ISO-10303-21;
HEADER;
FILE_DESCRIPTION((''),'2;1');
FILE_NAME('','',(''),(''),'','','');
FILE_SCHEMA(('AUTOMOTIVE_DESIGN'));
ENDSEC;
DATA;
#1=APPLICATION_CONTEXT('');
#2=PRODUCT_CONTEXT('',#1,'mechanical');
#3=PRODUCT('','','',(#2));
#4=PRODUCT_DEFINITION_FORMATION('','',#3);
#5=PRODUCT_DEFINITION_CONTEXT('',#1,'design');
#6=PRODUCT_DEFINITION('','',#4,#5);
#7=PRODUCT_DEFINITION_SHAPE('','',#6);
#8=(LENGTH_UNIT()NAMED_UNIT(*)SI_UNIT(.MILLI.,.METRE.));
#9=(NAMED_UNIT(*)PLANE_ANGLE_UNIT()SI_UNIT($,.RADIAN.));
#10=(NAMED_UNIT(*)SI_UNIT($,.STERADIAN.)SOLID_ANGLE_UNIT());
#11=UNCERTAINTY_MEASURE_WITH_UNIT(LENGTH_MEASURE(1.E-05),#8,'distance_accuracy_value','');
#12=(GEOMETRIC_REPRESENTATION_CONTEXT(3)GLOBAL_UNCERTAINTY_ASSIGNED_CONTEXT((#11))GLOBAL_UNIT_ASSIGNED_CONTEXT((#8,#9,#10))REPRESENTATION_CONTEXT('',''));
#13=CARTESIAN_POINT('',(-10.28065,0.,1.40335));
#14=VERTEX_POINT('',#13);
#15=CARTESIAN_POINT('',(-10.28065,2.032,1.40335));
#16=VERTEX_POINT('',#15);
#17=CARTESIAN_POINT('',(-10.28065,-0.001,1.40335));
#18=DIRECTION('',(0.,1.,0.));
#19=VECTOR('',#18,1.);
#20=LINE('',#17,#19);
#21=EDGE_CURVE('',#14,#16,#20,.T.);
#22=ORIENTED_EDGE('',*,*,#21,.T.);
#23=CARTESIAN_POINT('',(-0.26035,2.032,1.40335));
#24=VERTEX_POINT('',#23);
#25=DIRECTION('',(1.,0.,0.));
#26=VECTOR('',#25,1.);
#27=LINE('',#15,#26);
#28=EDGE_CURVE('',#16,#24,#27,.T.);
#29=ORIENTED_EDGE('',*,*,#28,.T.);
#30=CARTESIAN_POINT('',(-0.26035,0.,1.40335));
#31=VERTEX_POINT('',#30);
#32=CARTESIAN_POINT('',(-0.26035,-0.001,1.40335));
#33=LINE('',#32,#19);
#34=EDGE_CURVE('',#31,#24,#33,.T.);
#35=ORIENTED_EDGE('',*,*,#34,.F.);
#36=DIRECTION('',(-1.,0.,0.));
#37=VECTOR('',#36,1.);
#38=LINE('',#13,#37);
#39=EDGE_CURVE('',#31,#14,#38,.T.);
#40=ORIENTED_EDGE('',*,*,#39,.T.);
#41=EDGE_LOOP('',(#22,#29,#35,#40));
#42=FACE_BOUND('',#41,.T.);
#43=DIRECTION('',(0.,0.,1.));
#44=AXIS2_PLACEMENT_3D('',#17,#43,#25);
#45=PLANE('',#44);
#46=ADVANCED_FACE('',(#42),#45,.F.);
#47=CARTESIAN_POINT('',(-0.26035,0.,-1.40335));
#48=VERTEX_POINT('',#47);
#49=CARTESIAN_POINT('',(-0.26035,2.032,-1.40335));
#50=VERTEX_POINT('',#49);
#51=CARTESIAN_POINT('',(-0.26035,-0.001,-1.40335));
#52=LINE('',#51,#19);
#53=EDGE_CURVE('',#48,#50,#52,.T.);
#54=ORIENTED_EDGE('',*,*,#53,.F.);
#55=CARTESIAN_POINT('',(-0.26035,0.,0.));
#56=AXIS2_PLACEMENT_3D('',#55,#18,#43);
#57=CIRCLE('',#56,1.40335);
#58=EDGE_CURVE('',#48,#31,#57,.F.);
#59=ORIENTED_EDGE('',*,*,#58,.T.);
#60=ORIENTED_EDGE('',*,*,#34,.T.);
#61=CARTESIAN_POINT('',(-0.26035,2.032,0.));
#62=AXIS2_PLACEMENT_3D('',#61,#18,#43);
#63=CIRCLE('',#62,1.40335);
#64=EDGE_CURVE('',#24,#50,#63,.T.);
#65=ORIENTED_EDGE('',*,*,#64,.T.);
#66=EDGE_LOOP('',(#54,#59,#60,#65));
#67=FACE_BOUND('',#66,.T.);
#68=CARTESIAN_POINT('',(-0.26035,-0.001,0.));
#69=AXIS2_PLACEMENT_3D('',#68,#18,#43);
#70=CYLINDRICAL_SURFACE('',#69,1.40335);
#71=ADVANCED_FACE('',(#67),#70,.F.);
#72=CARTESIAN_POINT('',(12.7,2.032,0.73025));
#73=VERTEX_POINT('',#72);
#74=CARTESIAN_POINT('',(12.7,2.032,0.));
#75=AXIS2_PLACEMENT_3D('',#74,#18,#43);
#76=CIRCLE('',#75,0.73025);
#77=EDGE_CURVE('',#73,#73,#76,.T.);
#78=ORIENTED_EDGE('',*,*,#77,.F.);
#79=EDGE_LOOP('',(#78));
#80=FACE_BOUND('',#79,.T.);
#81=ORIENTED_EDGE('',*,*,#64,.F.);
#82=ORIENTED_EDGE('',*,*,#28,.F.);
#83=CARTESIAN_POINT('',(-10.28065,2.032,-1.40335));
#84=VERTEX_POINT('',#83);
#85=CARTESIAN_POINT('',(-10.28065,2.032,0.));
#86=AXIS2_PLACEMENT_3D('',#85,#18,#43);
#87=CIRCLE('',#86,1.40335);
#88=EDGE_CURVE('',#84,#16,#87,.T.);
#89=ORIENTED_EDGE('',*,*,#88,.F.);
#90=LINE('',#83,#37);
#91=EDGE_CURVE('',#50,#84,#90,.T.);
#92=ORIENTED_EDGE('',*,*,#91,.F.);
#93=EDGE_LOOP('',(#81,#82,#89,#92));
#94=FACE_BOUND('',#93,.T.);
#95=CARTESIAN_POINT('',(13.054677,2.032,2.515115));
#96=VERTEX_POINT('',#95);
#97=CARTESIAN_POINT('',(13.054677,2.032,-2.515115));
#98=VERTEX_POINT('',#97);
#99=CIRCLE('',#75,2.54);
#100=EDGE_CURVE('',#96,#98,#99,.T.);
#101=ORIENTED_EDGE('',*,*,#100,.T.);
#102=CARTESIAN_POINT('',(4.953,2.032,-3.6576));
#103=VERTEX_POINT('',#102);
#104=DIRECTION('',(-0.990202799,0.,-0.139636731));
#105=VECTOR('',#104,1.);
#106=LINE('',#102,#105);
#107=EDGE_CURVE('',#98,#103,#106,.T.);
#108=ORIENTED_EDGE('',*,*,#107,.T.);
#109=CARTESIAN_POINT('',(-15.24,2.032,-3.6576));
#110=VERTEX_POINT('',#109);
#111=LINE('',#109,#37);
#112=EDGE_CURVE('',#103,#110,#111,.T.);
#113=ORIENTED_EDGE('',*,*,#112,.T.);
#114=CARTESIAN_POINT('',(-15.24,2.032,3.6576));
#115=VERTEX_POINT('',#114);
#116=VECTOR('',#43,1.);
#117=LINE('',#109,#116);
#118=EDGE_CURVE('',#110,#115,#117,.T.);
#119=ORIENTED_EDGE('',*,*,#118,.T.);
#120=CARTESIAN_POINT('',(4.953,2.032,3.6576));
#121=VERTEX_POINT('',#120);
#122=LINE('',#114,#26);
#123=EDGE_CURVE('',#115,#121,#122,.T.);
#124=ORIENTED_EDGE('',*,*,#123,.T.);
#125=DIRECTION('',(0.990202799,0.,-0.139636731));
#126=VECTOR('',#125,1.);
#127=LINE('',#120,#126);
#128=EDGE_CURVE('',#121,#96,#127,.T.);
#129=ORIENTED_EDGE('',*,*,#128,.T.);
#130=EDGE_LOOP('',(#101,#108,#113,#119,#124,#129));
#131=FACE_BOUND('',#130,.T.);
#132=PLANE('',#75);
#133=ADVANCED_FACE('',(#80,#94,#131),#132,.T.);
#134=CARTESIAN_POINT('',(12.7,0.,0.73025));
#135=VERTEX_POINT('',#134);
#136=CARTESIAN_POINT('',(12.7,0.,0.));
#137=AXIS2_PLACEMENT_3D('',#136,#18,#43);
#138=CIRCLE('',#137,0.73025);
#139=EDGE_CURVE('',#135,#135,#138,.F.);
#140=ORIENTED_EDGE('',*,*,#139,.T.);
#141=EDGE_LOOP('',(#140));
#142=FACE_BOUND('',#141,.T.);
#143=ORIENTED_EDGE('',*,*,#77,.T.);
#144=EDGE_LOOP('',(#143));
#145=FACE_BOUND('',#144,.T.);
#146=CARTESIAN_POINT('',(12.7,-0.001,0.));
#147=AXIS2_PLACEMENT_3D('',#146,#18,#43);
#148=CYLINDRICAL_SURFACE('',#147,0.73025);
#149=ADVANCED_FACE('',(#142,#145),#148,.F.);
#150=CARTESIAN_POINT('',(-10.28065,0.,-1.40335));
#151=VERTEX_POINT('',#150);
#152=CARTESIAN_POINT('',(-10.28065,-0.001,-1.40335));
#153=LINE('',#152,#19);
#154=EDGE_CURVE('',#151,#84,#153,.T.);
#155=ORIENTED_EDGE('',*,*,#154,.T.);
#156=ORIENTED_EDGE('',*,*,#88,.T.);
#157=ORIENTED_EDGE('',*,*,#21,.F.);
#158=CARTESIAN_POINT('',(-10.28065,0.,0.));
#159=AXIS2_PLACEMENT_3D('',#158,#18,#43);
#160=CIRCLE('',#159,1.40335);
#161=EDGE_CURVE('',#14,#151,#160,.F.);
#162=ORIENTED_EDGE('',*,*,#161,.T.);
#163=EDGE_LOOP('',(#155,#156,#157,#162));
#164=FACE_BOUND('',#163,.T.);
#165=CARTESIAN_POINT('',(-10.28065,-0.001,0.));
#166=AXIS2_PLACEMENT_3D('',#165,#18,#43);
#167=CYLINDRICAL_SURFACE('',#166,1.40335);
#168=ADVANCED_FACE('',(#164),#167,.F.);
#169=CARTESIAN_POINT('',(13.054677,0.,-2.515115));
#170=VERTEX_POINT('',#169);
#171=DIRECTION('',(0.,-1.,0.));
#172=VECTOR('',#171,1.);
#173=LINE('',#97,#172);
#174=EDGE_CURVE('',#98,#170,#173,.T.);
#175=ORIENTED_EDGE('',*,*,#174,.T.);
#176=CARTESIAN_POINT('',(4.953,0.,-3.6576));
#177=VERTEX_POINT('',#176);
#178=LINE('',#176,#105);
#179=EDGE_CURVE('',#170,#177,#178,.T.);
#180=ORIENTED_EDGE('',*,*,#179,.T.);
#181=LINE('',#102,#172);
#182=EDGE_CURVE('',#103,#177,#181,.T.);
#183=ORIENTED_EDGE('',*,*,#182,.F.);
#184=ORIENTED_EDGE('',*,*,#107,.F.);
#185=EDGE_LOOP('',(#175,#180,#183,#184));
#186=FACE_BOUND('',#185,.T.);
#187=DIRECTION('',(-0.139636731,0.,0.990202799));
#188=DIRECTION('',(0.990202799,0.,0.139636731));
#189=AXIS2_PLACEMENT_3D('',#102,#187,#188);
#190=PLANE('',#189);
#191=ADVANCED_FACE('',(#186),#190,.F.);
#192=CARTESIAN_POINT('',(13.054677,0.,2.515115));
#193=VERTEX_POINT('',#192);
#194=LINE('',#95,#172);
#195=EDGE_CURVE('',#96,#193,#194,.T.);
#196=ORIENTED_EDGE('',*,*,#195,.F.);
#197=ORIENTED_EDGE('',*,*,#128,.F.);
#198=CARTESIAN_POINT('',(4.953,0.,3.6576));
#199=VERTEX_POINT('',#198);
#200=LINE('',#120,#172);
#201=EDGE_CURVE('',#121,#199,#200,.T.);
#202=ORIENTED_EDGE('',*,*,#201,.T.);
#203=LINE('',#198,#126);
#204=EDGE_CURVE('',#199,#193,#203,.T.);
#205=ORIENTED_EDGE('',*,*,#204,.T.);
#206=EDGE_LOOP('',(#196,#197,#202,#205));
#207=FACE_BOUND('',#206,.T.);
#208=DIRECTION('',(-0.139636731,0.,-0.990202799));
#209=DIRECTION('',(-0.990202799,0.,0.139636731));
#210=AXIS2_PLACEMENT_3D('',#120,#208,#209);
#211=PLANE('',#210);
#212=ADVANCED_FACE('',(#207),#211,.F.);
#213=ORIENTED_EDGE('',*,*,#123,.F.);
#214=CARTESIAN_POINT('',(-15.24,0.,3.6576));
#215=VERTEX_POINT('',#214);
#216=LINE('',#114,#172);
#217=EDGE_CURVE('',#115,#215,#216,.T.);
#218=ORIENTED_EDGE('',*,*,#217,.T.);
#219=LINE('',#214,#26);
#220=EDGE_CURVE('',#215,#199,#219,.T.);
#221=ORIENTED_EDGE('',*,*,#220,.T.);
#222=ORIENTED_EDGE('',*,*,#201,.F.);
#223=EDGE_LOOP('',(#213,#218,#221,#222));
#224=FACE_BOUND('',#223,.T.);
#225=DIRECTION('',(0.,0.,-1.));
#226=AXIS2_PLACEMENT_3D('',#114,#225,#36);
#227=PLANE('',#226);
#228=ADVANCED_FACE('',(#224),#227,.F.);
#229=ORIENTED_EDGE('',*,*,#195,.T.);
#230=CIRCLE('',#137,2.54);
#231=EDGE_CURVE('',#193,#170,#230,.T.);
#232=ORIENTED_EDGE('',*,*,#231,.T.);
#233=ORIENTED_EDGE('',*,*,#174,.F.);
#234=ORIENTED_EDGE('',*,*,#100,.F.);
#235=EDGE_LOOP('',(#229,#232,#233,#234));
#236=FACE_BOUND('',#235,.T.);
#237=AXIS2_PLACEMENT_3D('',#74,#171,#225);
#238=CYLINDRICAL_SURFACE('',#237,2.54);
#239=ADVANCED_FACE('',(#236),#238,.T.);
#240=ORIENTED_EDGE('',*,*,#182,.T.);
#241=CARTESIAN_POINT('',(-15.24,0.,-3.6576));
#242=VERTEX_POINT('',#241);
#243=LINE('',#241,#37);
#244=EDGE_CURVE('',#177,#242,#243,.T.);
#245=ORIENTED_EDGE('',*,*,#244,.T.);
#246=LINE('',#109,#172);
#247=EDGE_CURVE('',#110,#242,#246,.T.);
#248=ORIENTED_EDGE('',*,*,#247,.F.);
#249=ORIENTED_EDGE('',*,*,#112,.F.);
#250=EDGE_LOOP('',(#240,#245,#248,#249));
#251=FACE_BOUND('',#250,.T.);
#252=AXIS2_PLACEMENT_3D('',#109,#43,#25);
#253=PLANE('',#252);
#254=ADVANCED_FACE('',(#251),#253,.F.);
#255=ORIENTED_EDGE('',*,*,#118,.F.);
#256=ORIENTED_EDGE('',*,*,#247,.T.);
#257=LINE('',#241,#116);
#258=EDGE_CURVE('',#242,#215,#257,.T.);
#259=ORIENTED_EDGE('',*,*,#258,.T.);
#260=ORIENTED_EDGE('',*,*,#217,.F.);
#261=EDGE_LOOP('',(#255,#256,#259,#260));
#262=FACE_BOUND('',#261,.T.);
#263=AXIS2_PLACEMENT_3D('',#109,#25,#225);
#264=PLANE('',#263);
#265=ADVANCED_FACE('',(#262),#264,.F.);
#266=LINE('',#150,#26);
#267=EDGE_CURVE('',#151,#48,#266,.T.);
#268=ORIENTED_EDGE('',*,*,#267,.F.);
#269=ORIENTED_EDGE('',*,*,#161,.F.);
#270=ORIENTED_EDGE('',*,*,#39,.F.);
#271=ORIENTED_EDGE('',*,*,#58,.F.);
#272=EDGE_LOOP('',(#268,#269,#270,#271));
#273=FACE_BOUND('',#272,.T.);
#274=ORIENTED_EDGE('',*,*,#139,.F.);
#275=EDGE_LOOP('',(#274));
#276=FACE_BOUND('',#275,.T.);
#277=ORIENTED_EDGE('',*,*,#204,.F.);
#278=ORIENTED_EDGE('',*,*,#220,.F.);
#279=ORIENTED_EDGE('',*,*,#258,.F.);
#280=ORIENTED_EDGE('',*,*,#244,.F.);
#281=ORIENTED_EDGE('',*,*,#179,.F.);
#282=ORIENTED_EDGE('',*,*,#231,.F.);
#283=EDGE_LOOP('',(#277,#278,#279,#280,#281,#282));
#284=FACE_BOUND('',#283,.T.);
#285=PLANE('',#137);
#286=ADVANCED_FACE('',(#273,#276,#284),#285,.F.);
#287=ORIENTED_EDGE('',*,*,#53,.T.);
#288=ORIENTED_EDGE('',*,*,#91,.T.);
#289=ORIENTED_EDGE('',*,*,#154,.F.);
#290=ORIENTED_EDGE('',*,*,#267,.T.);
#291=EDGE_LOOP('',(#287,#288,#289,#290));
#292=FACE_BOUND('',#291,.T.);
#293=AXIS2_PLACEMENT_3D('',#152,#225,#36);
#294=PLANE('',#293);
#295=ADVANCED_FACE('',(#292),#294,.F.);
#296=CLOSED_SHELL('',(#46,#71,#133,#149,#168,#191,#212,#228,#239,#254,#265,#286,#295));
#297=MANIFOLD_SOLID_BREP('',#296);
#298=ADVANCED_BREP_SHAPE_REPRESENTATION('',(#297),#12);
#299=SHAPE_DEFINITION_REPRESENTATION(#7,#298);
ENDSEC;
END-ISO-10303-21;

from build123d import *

# Parameters (mm, degrees)
BOSS_EXTRUDE1_DEPTH = 2.032
CUT_EXTRUDE1_REACH  = 4.032
CUT_EXTRUDE2_REACH  = 4.032
SKETCH3_R           = 0.73025


with BuildPart() as part:
    # Sketch1 → Boss-Extrude1 (new body)
    with BuildSketch(Plane(origin=(0, 0, 0), x_dir=(1, 0, 0), z_dir=(0, 1, 0))):
        with BuildLine():
            Line((-15.24, 3.6576), (-15.24, -3.6576))
            Line((-15.24, -3.6576), (4.953, -3.6576))
            Line((4.953, -3.6576), (13.054677298, -2.51511511))
            ThreePointArc((13.054677298, -2.51511511), (15.24, 0), (13.054677298, 2.51511511))
            Line((13.054677298, 2.51511511), (4.953, 3.6576))
            Line((4.953, 3.6576), (-15.24, 3.6576))
        make_face()
    extrude(amount=BOSS_EXTRUDE1_DEPTH)

    # Sketch2 → Cut-Extrude1 (cut, up to next)
    with BuildSketch(Plane(origin=(0, 2.032, 0), x_dir=(1, 0, 0), z_dir=(0, 1, 0)), mode=Mode.PRIVATE) as cut_extrude1_sk1:
        with BuildLine():
            Line((-10.28065, 1.40335), (-0.26035, 1.40335))
            ThreePointArc((-0.26035, 1.40335), (1.143, 0), (-0.26035, -1.40335))
            Line((-0.26035, -1.40335), (-10.28065, -1.40335))
            ThreePointArc((-10.28065, -1.40335), (-11.684, 0), (-10.28065, 1.40335))
        make_face()
    cut_extrude1_tool1 = extrude(cut_extrude1_sk1.sketch, amount=-CUT_EXTRUDE1_REACH, mode=Mode.PRIVATE) & part.part
    add(cut_extrude1_tool1.solids().sort_by_distance((-5.2705, 2.032, 0))[0], mode=Mode.SUBTRACT)

    # Sketch3 → Cut-Extrude2 (cut, up to next)
    with BuildSketch(Plane(origin=(0, 2.032, 0), x_dir=(1, 0, 0), z_dir=(0, 1, 0)), mode=Mode.PRIVATE) as cut_extrude2_sk1:
        with Locations((12.7, 0)):
            Circle(SKETCH3_R)
    cut_extrude2_tool1 = extrude(cut_extrude2_sk1.sketch, amount=-CUT_EXTRUDE2_REACH, mode=Mode.PRIVATE) & part.part
    add(cut_extrude2_tool1.solids().sort_by_distance((12.7, 2.032, 0))[0], mode=Mode.SUBTRACT)


solid = part.part
